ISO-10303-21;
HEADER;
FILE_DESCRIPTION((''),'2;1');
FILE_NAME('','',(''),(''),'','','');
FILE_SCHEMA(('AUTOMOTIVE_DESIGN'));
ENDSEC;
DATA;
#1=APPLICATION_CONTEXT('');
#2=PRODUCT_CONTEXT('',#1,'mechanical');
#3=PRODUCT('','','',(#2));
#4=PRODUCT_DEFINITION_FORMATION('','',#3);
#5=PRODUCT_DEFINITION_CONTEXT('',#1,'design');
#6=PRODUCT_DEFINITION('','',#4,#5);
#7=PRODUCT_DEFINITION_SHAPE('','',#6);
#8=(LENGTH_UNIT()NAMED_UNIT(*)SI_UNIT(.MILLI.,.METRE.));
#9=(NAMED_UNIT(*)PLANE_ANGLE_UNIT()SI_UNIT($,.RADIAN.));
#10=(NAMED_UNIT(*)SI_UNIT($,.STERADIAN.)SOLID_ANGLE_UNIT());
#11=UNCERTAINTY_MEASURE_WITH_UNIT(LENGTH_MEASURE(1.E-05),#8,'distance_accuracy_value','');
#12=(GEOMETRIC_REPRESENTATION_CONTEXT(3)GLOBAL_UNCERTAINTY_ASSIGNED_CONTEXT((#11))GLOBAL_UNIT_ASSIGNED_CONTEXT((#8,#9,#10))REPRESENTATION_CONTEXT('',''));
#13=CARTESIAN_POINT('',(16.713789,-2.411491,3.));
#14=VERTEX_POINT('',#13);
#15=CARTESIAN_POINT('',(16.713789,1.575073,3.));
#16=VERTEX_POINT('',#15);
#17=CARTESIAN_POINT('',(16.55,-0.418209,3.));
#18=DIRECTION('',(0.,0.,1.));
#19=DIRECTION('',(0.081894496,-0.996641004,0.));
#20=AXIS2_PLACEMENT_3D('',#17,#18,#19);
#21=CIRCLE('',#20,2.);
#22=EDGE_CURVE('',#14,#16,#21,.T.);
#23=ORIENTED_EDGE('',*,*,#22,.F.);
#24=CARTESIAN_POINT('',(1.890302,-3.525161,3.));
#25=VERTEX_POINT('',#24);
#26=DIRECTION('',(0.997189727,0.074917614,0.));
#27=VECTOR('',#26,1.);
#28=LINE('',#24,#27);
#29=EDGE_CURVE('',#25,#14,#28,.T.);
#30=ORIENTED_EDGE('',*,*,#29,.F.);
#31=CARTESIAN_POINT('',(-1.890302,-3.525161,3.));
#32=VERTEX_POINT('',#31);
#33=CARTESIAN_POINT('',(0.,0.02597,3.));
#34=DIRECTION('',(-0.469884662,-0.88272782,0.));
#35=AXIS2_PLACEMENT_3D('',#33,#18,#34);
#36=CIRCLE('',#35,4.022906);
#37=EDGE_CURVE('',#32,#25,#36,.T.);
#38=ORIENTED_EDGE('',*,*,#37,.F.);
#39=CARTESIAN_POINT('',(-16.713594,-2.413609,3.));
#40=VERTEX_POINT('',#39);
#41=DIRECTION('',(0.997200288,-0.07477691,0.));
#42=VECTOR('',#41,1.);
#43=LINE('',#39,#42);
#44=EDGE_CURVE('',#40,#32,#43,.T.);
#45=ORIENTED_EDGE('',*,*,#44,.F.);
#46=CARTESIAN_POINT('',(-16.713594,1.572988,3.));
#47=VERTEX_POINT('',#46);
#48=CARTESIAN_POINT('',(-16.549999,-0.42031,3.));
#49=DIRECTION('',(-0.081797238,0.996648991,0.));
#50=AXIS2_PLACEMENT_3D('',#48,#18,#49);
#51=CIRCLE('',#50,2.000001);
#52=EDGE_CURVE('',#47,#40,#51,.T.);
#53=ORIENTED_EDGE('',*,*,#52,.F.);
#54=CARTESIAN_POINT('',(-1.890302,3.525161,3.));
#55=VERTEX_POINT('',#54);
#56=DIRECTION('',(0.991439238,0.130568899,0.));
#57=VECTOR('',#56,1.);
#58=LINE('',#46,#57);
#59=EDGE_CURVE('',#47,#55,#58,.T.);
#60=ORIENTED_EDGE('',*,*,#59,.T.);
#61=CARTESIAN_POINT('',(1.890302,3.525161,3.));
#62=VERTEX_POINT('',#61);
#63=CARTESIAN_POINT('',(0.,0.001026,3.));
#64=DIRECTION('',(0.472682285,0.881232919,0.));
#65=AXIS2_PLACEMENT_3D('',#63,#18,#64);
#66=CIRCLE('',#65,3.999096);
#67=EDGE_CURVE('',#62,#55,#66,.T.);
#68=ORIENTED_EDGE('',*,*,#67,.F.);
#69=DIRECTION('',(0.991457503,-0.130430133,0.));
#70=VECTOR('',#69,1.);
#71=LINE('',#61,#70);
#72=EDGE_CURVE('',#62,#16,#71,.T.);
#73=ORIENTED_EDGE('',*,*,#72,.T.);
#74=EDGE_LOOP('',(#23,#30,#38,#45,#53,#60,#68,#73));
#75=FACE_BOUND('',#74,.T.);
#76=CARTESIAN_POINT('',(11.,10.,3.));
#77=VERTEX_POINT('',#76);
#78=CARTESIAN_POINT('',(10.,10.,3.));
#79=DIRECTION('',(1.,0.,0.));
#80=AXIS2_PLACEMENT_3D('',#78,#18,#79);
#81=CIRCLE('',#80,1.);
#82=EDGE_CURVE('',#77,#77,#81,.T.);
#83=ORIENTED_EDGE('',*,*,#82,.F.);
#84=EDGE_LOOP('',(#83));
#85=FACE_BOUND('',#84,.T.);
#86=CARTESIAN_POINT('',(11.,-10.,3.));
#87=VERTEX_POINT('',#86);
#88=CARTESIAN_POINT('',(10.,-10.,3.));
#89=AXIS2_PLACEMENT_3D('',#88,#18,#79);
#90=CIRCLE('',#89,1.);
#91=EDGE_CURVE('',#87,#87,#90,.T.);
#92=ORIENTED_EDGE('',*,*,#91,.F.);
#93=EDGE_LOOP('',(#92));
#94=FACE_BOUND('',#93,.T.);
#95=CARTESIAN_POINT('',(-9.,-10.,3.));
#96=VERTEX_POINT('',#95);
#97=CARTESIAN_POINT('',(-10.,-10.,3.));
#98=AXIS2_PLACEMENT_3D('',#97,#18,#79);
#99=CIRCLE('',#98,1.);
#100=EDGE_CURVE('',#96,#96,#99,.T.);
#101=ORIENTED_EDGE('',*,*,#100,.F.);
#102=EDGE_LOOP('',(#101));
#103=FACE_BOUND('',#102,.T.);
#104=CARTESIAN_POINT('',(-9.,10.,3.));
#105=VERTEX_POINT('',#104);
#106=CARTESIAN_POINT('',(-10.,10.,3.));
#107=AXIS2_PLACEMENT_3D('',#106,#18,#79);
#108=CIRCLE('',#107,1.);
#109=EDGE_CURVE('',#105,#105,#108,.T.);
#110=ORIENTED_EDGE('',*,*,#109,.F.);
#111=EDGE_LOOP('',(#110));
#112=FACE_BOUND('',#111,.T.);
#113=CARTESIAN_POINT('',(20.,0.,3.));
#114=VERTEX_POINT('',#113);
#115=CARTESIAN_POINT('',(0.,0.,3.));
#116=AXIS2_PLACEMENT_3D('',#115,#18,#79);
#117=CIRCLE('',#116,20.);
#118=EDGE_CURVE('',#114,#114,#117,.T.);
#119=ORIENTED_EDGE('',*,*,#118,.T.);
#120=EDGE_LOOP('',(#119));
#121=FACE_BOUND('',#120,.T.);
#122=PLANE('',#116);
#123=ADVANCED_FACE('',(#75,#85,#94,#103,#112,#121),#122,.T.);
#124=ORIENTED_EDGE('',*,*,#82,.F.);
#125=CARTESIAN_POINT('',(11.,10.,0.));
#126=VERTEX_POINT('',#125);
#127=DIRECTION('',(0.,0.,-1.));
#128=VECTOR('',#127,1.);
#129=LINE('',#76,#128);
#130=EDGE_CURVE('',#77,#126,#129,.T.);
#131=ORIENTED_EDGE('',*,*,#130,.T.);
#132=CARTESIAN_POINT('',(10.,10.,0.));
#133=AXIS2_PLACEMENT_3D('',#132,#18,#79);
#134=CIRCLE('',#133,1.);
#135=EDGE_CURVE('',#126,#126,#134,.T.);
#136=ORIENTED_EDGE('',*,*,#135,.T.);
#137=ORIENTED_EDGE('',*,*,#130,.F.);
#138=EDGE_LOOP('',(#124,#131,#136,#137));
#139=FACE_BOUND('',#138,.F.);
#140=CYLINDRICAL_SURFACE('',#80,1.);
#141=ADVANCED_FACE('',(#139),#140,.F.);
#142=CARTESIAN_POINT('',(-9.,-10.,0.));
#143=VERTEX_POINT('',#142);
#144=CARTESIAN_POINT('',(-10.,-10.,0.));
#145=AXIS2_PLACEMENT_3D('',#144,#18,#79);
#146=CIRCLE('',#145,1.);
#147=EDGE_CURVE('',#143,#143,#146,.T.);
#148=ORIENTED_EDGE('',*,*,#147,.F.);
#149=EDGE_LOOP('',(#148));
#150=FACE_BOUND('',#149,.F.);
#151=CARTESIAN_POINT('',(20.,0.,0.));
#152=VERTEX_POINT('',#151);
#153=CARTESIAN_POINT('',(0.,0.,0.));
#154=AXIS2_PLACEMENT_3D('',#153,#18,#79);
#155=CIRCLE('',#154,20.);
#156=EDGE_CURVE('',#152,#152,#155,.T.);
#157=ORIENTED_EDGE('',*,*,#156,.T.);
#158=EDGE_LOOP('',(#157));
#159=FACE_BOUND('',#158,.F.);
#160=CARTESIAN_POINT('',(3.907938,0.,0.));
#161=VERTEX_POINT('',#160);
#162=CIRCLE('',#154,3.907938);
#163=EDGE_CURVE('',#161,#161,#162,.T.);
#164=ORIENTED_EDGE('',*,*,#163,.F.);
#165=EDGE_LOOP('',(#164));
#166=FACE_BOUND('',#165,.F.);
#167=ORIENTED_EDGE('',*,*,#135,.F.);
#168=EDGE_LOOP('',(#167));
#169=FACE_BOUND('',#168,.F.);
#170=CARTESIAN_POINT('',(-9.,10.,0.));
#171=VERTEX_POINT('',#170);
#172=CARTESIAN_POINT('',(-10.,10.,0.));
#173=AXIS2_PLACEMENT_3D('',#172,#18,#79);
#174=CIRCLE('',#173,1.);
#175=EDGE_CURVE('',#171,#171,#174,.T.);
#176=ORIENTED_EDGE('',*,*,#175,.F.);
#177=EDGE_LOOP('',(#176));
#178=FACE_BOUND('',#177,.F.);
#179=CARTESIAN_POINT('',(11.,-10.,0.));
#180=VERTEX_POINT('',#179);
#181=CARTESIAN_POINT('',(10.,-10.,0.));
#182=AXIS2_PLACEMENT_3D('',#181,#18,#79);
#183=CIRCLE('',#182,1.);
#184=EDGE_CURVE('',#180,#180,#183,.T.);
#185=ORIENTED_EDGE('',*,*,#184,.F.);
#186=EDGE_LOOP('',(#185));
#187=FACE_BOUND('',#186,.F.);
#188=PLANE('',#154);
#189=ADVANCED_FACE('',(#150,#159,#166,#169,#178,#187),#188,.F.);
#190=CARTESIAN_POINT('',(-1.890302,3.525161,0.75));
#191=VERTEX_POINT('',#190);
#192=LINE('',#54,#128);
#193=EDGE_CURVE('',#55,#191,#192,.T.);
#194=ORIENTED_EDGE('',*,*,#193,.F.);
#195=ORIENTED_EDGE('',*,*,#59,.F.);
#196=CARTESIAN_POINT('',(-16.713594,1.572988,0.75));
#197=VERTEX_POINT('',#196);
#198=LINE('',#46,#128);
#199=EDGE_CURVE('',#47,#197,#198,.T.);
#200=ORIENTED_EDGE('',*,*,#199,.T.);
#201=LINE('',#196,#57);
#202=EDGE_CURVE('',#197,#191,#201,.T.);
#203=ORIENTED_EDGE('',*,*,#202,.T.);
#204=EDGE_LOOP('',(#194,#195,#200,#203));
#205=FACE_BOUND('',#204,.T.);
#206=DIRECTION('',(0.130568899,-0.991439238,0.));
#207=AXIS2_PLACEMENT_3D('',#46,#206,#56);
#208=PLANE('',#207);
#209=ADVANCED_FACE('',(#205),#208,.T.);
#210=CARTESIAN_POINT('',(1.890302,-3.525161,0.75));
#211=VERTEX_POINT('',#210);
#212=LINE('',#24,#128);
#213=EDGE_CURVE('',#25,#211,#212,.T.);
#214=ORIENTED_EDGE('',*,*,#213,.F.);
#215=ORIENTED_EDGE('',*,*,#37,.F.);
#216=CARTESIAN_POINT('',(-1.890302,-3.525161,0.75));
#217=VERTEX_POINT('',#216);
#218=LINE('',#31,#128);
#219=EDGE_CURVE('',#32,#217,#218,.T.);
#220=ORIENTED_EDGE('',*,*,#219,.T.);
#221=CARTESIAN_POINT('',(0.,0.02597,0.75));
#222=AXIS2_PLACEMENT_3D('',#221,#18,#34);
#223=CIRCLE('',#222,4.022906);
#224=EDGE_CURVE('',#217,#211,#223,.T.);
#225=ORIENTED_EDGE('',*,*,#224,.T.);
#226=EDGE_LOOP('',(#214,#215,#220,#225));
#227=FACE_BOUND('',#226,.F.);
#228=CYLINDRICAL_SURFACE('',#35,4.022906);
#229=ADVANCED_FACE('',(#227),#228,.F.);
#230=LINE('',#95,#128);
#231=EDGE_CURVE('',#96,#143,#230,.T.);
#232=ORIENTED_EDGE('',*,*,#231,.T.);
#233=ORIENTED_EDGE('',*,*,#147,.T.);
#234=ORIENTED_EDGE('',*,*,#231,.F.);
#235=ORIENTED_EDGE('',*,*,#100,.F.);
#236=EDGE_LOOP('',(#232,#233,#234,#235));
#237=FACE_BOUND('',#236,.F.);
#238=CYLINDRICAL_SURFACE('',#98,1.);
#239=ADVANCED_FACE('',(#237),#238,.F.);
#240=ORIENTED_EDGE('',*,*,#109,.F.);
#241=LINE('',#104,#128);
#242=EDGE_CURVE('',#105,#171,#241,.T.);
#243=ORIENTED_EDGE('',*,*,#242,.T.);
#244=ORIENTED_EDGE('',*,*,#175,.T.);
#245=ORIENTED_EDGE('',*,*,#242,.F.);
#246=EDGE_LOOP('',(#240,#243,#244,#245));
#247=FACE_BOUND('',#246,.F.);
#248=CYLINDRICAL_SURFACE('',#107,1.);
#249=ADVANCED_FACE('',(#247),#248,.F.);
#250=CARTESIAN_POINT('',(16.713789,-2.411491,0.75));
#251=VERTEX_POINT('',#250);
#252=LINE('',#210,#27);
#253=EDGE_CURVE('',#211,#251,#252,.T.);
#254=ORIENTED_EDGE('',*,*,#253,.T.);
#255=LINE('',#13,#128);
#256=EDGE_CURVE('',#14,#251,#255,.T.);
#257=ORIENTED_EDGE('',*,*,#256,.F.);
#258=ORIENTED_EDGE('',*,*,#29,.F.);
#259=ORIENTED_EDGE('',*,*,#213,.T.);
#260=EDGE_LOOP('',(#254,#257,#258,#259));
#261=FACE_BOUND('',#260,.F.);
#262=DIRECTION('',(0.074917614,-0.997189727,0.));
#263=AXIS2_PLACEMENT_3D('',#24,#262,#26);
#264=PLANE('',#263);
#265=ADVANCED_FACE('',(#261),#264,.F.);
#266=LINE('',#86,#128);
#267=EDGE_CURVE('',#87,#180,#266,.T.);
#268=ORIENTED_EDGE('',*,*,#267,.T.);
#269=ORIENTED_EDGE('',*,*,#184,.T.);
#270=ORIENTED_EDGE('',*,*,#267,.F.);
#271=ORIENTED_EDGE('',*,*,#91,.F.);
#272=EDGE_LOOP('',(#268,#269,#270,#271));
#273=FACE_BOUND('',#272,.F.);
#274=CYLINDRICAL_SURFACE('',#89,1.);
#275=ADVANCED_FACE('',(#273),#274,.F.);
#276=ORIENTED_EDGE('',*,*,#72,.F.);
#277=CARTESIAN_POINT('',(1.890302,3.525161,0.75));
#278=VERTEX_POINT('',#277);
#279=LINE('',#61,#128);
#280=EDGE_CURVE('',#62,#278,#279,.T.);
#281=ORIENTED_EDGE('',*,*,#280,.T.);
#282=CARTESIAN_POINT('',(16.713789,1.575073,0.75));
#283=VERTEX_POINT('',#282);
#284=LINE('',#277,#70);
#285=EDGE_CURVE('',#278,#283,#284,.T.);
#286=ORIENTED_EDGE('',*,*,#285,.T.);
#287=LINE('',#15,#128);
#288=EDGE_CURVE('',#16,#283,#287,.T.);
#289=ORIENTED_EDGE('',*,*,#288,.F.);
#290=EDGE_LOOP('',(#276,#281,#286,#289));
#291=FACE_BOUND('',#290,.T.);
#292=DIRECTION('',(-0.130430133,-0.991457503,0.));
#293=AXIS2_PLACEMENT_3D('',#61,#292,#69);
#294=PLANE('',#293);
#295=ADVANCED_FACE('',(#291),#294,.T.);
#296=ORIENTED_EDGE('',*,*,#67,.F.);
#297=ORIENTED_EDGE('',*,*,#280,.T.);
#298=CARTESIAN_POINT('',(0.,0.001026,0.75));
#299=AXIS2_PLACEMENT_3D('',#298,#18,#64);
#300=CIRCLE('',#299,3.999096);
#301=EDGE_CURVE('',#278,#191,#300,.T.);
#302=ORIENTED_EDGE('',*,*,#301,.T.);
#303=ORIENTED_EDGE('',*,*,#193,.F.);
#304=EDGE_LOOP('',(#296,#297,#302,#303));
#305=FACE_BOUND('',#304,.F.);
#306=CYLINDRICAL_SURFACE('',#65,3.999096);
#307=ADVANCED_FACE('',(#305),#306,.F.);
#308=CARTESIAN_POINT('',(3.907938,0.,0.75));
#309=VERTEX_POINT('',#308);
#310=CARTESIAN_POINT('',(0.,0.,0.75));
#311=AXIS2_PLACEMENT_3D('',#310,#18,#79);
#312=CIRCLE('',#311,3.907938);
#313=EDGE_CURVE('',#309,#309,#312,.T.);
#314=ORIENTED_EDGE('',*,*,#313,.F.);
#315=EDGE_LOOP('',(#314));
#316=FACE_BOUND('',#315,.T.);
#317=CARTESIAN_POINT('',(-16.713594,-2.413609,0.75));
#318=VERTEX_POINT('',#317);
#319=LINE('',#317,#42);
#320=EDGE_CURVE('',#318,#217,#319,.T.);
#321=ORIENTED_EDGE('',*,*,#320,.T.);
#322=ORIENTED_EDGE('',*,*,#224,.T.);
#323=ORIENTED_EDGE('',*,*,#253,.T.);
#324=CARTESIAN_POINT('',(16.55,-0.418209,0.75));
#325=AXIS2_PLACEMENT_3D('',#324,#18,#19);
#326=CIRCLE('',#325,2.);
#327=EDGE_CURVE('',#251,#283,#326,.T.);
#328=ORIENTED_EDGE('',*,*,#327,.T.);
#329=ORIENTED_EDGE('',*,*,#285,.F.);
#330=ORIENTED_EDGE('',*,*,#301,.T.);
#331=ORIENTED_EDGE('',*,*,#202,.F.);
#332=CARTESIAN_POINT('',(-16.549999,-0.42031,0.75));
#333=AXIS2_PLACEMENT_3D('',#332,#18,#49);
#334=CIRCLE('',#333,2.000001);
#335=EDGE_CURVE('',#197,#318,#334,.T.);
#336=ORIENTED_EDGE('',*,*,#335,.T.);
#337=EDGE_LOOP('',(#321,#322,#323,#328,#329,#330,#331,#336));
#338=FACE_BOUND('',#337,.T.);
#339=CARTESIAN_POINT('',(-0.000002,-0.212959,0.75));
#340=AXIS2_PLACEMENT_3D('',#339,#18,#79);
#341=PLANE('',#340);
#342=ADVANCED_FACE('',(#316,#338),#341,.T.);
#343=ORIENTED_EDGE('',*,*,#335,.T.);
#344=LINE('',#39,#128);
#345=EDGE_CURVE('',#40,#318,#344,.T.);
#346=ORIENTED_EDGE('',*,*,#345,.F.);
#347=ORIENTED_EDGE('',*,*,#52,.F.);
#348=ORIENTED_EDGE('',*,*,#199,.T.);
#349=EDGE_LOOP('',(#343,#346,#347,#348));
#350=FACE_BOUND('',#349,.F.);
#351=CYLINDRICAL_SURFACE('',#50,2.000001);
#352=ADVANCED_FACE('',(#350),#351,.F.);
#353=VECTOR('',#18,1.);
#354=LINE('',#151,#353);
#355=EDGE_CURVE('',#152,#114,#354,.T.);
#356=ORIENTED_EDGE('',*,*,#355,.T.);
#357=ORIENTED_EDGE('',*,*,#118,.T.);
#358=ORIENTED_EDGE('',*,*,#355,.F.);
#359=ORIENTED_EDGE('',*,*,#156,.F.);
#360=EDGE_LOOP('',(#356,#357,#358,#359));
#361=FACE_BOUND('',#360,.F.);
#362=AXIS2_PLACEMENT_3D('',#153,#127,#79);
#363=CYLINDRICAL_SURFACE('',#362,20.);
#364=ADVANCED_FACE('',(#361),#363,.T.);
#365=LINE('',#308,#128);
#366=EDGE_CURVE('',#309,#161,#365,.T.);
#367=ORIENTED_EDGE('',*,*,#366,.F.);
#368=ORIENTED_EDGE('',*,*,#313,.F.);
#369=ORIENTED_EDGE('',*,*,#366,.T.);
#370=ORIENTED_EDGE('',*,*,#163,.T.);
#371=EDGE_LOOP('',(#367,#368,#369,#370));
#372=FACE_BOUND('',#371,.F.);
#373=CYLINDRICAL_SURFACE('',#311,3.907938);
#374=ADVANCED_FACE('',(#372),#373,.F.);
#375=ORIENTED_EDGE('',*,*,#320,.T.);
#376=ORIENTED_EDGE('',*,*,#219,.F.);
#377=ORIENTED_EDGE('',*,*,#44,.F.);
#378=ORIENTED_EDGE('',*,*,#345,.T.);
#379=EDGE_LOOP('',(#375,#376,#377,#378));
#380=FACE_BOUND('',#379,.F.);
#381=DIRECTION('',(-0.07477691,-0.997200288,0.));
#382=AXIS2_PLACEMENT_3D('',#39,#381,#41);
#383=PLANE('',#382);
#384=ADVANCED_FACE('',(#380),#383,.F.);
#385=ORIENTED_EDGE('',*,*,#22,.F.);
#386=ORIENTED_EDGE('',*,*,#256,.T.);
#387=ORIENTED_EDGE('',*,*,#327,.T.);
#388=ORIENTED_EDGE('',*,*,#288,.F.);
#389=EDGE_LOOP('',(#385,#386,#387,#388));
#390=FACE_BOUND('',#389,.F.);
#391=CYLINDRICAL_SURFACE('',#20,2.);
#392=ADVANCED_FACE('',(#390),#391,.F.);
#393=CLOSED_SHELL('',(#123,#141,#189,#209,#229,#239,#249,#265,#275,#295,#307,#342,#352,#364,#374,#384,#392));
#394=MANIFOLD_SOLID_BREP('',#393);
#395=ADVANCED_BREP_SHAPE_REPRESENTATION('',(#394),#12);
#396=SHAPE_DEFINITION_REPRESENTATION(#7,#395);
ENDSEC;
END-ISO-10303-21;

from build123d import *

# Parameters (mm, degrees)
SKETCH_R        = 20
PAD_DEPTH       = 3
POCKET_DEPTH    = 2.25
SKETCH002_R     = 3.907938
POCKET001_DEPTH = 2
SKETCH004_R     = 1
POCKET004_DEPTH = 5


with BuildPart() as part:
    # Sketch → Pad (new body)
    with BuildSketch(Plane.XY):
        Circle(SKETCH_R)
    extrude(amount=PAD_DEPTH)

    # Sketch001 (on Face3 of Pad) → Pocket (cut)
    with BuildSketch(Plane.XY.offset(3)):
        with BuildLine():
            ThreePointArc((1.890302, 3.525161), (0, 4.000122), (-1.890302, 3.525161))
            Line((-16.713594, 1.572988), (-1.890302, 3.525161))
            ThreePointArc((-16.713594, 1.572988), (-18.55, -0.42031), (-16.713594, -2.413609))
            Line((-16.713594, -2.413609), (-1.890302, -3.525161))
            ThreePointArc((-1.890302, -3.525161), (0, -3.996936), (1.890302, -3.525161))
            Line((1.890302, -3.525161), (16.713789, -2.411491))
            ThreePointArc((16.713789, -2.411491), (18.55, -0.418209), (16.713789, 1.575073))
            Line((1.890302, 3.525161), (16.713789, 1.575073))
        make_face()
    extrude(amount=-POCKET_DEPTH, mode=Mode.SUBTRACT)

    # Sketch002 (on Face12 of Pocket) → Pocket001 (cut)
    with BuildSketch(Plane.XY.offset(0.75)):
        Circle(SKETCH002_R)
    extrude(amount=-POCKET001_DEPTH, mode=Mode.SUBTRACT)

    # Sketch004 (on Face3 of Pocket001) → Pocket004 (cut)
    with BuildSketch(Plane.XY.offset(3)):
        with Locations((-10, 10)):
            Circle(SKETCH004_R)
        with Locations((10, 10)):
            Circle(SKETCH004_R)
        with Locations((10, -10)):
            Circle(SKETCH004_R)
        with Locations((-10, -10)):
            Circle(SKETCH004_R)
    extrude(amount=-POCKET004_DEPTH, mode=Mode.SUBTRACT)


solid = part.part
